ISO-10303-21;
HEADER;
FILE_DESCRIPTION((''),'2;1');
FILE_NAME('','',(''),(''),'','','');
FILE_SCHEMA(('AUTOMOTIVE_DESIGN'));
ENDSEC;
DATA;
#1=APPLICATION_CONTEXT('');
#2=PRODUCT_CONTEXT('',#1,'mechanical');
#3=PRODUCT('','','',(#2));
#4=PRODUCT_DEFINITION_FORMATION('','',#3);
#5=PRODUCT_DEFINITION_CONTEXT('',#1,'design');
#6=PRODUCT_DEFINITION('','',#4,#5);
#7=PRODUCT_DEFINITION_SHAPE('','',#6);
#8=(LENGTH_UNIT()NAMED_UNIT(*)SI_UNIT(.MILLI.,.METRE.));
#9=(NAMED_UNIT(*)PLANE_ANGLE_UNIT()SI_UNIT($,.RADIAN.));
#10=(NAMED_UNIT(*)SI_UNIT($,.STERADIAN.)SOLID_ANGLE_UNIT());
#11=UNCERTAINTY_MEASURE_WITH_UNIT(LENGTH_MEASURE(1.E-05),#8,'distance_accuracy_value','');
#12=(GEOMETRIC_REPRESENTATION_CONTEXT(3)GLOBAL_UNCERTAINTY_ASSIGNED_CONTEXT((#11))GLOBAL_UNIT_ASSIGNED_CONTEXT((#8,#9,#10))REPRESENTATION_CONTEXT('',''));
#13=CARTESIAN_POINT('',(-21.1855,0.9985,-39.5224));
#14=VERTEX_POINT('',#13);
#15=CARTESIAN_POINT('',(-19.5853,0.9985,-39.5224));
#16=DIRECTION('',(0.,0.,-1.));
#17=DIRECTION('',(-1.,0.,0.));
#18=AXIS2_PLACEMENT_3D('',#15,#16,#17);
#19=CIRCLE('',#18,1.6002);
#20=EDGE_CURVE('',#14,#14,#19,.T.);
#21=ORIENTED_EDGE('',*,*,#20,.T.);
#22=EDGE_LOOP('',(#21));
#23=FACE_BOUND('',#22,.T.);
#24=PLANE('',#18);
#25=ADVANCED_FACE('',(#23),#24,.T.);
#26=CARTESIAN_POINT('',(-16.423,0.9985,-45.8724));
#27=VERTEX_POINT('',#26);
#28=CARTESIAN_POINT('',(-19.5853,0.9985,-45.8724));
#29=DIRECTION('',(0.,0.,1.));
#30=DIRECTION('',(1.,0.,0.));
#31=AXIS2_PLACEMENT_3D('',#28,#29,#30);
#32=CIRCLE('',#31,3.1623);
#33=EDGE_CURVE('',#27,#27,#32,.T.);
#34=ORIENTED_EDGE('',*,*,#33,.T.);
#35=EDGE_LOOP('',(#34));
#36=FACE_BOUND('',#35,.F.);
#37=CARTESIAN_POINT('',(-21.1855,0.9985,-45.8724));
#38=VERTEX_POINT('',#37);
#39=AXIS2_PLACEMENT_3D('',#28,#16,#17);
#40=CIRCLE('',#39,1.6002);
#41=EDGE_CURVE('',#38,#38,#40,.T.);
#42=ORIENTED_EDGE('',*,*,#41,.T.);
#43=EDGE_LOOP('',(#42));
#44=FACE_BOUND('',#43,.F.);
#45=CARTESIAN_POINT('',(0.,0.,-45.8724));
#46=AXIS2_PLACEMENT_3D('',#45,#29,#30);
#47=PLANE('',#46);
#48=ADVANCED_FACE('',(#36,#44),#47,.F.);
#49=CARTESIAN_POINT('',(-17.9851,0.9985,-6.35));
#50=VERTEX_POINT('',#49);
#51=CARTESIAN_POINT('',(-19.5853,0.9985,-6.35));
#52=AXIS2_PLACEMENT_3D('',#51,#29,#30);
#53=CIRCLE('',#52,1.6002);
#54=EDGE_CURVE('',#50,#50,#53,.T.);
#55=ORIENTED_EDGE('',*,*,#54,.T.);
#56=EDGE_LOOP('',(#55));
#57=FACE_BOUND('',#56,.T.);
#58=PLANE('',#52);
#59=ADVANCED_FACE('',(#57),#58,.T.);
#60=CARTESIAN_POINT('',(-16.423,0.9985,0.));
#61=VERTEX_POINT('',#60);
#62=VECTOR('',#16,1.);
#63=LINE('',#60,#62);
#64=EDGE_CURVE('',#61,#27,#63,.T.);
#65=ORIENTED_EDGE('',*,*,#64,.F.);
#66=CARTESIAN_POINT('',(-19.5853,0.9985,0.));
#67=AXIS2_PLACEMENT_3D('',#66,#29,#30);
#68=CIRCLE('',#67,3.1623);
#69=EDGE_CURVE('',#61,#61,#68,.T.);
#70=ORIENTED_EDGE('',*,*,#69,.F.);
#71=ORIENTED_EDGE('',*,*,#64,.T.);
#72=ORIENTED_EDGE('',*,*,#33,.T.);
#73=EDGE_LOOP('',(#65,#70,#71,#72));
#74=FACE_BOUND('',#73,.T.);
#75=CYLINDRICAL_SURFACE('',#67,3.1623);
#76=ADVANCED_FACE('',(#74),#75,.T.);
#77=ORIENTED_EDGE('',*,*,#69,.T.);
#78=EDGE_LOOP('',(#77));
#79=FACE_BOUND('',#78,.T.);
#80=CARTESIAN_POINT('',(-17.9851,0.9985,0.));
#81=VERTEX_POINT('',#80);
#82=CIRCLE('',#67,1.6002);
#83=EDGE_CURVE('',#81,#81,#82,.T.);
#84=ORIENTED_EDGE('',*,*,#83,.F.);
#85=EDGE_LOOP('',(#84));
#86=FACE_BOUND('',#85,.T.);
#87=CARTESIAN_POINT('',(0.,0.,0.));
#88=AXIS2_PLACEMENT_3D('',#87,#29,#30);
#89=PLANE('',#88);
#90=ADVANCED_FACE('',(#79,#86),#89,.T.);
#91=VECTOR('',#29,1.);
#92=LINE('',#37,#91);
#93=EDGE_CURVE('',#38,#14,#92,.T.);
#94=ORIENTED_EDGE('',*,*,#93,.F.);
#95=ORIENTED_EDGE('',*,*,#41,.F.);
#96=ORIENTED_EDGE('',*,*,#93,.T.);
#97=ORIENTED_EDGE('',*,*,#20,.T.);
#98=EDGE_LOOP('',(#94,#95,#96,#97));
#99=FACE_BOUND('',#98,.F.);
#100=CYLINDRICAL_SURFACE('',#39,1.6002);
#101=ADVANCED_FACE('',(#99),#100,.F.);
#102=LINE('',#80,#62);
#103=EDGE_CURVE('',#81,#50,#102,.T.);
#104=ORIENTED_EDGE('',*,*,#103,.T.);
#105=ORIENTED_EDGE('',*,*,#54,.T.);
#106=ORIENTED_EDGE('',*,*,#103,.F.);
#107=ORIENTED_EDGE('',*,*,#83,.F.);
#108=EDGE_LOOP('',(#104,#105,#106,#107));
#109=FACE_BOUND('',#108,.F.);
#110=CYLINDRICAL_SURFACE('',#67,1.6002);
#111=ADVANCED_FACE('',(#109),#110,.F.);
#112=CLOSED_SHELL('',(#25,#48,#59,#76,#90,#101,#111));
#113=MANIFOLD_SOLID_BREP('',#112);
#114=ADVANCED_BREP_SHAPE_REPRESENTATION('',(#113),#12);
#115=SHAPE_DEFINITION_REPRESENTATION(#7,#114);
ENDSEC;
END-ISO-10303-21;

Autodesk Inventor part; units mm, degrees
ref_plane "YZ Plane" through (0, 0, 0) normal (1, 0, 0) x (0, 1, 0)
ref_plane "XZ Plane" through (0, 0, 0) normal (0, 1, 0) x (-1, 0, 0)
ref_plane "XY Plane" through (0, 0, 0) normal (0, 0, 1) x (1, 0, 0)
sketch "Sketch1" plane through (0, 0, 0) normal (0, 0, 1) x (1, 0, 0)
  circle A0 centre (-19.5853, 0.9985) radius 3.1623
  dimension "d0" = 6.3246
extrude "Extrusion1" add sketch "Sketch1" against normal blind 45.8724
sketch "Sketch2" plane through (-19.5853, 0.9985, 0) normal (0, 0, 1) x (1, 0, 0)
  circle A0 centre (0, 0) radius 3.1623 projected
  circle A1 centre (0, 0) radius 1.6002
  dimension "d3" = 3.2004
extrude "Extrusion2" cut sketch "Sketch2" against normal blind 6.35 contours A1
sketch "Sketch3" plane through (-19.5853, 0.9985, -45.8724) normal (0, 0, -1) x (-1, 0, 0)
  circle A0 centre (0, 0) radius 3.1623 projected
  circle A1 centre (0, 0) radius 1.6002
  dimension "d6" = 3.2004
extrude "Extrusion3" cut sketch "Sketch3" against normal blind 6.35 contours A1
properties part number "Roller Axle V4 1764" material "Steel, High Strength Low Alloy"
